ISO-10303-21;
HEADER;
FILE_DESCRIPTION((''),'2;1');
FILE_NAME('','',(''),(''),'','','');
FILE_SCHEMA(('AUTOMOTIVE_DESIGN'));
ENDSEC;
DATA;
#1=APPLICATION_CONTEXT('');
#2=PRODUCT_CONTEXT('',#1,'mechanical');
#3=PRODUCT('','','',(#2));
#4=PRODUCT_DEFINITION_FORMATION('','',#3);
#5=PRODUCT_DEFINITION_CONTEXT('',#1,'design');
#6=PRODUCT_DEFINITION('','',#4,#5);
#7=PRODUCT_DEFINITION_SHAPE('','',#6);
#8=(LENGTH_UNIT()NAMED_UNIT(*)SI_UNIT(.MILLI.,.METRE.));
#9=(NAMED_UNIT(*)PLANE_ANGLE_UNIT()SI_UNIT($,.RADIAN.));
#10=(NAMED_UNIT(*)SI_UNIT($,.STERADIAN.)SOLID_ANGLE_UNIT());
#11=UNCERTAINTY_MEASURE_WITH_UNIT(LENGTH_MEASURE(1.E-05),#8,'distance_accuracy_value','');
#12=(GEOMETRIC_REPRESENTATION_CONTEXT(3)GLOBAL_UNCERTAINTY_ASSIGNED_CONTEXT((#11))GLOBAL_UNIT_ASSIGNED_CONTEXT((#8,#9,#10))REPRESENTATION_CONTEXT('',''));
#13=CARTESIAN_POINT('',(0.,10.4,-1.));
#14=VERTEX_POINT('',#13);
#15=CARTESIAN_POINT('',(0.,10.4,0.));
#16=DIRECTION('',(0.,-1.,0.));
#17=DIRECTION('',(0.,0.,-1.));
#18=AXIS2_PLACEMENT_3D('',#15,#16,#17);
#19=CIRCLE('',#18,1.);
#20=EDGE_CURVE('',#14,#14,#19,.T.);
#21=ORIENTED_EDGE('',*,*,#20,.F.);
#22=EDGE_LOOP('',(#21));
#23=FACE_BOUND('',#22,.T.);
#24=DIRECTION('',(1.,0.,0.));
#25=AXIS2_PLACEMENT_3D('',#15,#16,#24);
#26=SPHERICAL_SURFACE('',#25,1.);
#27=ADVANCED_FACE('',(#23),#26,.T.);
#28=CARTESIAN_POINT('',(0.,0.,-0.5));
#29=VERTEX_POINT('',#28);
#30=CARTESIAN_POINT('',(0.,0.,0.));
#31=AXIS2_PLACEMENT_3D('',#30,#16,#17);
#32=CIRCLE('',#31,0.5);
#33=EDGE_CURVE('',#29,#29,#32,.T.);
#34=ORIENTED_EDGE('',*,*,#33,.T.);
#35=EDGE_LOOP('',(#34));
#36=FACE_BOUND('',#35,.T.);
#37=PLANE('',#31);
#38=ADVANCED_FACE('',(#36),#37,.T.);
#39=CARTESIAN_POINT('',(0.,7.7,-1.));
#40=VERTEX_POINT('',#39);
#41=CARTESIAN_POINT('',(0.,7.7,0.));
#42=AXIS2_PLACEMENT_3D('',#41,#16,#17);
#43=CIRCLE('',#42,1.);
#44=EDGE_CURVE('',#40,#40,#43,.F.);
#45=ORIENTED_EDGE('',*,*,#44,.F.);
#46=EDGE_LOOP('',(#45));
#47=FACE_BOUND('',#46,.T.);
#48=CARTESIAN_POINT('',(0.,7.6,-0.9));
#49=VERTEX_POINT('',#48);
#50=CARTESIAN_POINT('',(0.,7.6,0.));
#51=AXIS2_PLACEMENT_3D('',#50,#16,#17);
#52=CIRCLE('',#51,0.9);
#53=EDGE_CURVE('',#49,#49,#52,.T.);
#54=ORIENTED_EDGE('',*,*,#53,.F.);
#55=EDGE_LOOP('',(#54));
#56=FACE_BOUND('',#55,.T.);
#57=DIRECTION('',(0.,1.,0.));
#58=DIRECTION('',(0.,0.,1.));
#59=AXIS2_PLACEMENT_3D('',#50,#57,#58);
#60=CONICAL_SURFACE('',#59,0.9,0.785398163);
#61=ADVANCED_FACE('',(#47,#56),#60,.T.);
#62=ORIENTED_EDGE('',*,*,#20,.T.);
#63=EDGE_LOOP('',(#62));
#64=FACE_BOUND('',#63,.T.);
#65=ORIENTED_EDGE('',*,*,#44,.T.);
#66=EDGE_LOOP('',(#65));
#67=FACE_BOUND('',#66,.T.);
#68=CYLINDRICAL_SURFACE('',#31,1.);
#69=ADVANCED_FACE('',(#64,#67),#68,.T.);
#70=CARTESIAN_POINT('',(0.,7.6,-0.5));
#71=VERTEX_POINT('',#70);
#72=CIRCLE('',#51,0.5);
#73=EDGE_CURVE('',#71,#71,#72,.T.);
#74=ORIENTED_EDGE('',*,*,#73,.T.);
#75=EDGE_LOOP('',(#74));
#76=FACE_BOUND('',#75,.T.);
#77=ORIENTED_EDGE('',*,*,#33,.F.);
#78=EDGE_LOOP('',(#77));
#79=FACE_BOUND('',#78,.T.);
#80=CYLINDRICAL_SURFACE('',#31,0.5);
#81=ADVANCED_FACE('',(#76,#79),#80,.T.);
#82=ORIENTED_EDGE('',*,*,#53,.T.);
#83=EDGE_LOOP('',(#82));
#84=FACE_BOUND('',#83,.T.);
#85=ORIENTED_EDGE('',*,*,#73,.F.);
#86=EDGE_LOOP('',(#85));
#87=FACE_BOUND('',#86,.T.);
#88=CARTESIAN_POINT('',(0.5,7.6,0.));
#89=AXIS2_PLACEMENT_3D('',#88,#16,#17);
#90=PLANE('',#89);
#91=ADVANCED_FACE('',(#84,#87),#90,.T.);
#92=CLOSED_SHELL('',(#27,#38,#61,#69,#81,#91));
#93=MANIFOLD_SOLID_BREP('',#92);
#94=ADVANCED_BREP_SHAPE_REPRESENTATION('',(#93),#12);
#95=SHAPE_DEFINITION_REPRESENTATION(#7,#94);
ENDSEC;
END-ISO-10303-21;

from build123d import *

# Parameters (mm, degrees)
CHAMFER1_SIZE = 0.1


with BuildPart() as part:
    # Sketch1 → Revolve1 (revolve)
    with BuildSketch(Plane.XY):
        with BuildLine():
            Line((0, 0), (0.5, 0))
            Line((0.5, 0), (0.5, 7.6))
            Line((0.5, 7.6), (1, 7.6))
            Line((1, 7.6), (1, 10.4))
            ThreePointArc((1, 10.4), (0.707106781, 11.107106781), (0, 11.4))
            Line((0, 11.4), (0, 0))
        make_face()
    revolve(axis=Axis((0, 0, 0), (0, 1, 0)))

    # Chamfer1
    chamfer1_edges = [part.edges().sort_by_distance(p)[0] for p in [
        (-1, 7.6, 0),
    ]]
    chamfer(chamfer1_edges, length=CHAMFER1_SIZE)


solid = part.part
